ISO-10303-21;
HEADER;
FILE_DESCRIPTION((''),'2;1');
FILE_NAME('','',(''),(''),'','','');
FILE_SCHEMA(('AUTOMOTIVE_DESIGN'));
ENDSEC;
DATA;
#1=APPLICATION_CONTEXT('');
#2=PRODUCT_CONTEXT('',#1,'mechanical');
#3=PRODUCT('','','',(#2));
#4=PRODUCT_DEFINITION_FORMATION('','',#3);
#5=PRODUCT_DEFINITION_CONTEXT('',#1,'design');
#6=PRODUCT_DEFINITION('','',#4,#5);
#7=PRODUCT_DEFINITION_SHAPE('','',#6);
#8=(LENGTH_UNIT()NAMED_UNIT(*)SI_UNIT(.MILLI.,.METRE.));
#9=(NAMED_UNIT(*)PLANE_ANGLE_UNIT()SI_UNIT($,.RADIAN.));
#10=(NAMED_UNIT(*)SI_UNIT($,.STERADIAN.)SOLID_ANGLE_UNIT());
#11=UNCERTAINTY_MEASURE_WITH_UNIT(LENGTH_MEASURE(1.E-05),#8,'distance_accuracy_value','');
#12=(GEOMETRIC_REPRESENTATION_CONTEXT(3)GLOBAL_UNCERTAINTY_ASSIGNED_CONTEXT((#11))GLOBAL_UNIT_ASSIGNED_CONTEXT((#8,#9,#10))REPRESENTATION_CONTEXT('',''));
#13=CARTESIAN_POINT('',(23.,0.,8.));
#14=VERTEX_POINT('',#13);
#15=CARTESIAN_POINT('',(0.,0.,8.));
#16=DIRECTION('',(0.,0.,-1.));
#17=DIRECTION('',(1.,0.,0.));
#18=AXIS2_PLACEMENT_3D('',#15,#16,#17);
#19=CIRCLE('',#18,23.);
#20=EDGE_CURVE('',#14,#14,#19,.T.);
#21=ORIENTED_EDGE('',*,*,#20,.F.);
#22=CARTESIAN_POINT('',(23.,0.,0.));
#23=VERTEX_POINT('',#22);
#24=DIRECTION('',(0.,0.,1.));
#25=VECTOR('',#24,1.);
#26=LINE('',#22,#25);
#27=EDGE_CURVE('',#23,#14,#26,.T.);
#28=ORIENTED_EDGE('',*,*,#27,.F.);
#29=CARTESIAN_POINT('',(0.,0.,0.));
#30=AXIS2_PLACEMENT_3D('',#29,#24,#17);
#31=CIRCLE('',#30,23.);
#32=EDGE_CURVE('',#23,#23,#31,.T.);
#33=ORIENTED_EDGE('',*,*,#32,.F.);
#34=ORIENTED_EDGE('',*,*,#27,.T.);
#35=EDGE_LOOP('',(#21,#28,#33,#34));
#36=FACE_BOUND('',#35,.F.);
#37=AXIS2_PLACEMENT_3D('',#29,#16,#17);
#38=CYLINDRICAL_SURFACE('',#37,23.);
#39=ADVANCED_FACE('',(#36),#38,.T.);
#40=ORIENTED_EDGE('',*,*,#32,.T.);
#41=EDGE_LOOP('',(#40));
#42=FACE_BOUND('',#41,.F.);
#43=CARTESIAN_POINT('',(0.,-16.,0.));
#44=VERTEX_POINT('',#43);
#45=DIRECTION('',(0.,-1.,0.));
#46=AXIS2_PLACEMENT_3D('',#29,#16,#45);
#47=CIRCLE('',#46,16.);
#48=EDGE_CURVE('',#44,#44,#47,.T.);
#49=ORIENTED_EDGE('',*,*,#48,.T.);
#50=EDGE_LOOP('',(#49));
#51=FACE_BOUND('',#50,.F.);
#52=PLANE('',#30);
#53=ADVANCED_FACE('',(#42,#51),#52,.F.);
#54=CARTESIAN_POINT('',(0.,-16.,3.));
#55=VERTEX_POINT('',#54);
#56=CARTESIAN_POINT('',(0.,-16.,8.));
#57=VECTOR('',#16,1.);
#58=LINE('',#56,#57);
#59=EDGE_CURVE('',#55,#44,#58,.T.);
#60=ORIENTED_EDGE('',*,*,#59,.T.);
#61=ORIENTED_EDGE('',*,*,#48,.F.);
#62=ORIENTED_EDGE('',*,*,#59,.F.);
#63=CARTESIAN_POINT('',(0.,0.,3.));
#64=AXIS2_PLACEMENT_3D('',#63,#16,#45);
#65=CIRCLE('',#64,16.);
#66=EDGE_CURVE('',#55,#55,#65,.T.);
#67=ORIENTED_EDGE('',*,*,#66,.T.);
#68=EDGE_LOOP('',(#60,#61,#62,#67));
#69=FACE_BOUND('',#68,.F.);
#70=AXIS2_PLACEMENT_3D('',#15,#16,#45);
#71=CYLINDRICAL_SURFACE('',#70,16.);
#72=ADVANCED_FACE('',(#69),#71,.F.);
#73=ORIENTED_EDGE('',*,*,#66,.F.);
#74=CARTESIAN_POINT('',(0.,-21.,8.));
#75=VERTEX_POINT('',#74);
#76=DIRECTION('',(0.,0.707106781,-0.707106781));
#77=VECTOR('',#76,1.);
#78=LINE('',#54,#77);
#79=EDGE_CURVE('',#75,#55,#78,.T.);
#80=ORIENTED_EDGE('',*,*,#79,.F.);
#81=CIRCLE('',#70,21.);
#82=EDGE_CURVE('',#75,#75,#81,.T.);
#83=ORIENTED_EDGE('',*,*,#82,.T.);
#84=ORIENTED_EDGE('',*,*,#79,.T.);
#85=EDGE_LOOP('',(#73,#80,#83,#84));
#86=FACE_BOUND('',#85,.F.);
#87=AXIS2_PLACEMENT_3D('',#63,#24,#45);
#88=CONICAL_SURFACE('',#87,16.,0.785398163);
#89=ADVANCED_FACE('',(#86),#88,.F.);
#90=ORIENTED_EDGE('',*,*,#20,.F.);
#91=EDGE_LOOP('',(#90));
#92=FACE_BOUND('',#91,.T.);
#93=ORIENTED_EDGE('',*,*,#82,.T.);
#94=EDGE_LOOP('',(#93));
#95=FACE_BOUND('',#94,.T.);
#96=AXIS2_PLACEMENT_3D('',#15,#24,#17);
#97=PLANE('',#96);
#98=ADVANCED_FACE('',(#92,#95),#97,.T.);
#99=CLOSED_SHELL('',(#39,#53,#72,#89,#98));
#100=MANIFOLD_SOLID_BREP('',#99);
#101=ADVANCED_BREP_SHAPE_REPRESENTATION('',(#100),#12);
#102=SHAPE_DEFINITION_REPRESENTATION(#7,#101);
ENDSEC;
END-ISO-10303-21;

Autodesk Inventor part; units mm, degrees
ref_plane "YZ Plane" through (0, 0, 0) normal (1, 0, 0) x (0, 1, 0)
ref_plane "XZ Plane" through (0, 0, 0) normal (0, 1, 0) x (-1, 0, 0)
ref_plane "XY Plane" through (0, 0, 0) normal (0, 0, 1) x (1, 0, 0)
sketch "Sketch1" plane through (0, 0, 0) normal (0, 0, 1) x (1, 0, 0)
  line L0 (-27.6, 0) -> (36.8, 0) projected
  line L1 (0, -27.6) -> (0, 36.8) projected
  circle A0 centre (0, 0) radius 23
  dimension "d0" = 46
extrude "Extrusion1" add sketch "Sketch1" along normal blind 8
sketch "Sketch3" plane through (0, 0, 8) normal (0, 0, 1) x (1, 0, 0)
  circle A0 centre (0, 0) radius 23 projected
hole "Hole1" at (0, 0, 8) direction (0, 0, -1) diameter 32 end through all
chamfer "Chamfer1" distance 5 angle 45 1 edges at (0, 16, 8)
properties part number "Bumper" material "Silicone"
